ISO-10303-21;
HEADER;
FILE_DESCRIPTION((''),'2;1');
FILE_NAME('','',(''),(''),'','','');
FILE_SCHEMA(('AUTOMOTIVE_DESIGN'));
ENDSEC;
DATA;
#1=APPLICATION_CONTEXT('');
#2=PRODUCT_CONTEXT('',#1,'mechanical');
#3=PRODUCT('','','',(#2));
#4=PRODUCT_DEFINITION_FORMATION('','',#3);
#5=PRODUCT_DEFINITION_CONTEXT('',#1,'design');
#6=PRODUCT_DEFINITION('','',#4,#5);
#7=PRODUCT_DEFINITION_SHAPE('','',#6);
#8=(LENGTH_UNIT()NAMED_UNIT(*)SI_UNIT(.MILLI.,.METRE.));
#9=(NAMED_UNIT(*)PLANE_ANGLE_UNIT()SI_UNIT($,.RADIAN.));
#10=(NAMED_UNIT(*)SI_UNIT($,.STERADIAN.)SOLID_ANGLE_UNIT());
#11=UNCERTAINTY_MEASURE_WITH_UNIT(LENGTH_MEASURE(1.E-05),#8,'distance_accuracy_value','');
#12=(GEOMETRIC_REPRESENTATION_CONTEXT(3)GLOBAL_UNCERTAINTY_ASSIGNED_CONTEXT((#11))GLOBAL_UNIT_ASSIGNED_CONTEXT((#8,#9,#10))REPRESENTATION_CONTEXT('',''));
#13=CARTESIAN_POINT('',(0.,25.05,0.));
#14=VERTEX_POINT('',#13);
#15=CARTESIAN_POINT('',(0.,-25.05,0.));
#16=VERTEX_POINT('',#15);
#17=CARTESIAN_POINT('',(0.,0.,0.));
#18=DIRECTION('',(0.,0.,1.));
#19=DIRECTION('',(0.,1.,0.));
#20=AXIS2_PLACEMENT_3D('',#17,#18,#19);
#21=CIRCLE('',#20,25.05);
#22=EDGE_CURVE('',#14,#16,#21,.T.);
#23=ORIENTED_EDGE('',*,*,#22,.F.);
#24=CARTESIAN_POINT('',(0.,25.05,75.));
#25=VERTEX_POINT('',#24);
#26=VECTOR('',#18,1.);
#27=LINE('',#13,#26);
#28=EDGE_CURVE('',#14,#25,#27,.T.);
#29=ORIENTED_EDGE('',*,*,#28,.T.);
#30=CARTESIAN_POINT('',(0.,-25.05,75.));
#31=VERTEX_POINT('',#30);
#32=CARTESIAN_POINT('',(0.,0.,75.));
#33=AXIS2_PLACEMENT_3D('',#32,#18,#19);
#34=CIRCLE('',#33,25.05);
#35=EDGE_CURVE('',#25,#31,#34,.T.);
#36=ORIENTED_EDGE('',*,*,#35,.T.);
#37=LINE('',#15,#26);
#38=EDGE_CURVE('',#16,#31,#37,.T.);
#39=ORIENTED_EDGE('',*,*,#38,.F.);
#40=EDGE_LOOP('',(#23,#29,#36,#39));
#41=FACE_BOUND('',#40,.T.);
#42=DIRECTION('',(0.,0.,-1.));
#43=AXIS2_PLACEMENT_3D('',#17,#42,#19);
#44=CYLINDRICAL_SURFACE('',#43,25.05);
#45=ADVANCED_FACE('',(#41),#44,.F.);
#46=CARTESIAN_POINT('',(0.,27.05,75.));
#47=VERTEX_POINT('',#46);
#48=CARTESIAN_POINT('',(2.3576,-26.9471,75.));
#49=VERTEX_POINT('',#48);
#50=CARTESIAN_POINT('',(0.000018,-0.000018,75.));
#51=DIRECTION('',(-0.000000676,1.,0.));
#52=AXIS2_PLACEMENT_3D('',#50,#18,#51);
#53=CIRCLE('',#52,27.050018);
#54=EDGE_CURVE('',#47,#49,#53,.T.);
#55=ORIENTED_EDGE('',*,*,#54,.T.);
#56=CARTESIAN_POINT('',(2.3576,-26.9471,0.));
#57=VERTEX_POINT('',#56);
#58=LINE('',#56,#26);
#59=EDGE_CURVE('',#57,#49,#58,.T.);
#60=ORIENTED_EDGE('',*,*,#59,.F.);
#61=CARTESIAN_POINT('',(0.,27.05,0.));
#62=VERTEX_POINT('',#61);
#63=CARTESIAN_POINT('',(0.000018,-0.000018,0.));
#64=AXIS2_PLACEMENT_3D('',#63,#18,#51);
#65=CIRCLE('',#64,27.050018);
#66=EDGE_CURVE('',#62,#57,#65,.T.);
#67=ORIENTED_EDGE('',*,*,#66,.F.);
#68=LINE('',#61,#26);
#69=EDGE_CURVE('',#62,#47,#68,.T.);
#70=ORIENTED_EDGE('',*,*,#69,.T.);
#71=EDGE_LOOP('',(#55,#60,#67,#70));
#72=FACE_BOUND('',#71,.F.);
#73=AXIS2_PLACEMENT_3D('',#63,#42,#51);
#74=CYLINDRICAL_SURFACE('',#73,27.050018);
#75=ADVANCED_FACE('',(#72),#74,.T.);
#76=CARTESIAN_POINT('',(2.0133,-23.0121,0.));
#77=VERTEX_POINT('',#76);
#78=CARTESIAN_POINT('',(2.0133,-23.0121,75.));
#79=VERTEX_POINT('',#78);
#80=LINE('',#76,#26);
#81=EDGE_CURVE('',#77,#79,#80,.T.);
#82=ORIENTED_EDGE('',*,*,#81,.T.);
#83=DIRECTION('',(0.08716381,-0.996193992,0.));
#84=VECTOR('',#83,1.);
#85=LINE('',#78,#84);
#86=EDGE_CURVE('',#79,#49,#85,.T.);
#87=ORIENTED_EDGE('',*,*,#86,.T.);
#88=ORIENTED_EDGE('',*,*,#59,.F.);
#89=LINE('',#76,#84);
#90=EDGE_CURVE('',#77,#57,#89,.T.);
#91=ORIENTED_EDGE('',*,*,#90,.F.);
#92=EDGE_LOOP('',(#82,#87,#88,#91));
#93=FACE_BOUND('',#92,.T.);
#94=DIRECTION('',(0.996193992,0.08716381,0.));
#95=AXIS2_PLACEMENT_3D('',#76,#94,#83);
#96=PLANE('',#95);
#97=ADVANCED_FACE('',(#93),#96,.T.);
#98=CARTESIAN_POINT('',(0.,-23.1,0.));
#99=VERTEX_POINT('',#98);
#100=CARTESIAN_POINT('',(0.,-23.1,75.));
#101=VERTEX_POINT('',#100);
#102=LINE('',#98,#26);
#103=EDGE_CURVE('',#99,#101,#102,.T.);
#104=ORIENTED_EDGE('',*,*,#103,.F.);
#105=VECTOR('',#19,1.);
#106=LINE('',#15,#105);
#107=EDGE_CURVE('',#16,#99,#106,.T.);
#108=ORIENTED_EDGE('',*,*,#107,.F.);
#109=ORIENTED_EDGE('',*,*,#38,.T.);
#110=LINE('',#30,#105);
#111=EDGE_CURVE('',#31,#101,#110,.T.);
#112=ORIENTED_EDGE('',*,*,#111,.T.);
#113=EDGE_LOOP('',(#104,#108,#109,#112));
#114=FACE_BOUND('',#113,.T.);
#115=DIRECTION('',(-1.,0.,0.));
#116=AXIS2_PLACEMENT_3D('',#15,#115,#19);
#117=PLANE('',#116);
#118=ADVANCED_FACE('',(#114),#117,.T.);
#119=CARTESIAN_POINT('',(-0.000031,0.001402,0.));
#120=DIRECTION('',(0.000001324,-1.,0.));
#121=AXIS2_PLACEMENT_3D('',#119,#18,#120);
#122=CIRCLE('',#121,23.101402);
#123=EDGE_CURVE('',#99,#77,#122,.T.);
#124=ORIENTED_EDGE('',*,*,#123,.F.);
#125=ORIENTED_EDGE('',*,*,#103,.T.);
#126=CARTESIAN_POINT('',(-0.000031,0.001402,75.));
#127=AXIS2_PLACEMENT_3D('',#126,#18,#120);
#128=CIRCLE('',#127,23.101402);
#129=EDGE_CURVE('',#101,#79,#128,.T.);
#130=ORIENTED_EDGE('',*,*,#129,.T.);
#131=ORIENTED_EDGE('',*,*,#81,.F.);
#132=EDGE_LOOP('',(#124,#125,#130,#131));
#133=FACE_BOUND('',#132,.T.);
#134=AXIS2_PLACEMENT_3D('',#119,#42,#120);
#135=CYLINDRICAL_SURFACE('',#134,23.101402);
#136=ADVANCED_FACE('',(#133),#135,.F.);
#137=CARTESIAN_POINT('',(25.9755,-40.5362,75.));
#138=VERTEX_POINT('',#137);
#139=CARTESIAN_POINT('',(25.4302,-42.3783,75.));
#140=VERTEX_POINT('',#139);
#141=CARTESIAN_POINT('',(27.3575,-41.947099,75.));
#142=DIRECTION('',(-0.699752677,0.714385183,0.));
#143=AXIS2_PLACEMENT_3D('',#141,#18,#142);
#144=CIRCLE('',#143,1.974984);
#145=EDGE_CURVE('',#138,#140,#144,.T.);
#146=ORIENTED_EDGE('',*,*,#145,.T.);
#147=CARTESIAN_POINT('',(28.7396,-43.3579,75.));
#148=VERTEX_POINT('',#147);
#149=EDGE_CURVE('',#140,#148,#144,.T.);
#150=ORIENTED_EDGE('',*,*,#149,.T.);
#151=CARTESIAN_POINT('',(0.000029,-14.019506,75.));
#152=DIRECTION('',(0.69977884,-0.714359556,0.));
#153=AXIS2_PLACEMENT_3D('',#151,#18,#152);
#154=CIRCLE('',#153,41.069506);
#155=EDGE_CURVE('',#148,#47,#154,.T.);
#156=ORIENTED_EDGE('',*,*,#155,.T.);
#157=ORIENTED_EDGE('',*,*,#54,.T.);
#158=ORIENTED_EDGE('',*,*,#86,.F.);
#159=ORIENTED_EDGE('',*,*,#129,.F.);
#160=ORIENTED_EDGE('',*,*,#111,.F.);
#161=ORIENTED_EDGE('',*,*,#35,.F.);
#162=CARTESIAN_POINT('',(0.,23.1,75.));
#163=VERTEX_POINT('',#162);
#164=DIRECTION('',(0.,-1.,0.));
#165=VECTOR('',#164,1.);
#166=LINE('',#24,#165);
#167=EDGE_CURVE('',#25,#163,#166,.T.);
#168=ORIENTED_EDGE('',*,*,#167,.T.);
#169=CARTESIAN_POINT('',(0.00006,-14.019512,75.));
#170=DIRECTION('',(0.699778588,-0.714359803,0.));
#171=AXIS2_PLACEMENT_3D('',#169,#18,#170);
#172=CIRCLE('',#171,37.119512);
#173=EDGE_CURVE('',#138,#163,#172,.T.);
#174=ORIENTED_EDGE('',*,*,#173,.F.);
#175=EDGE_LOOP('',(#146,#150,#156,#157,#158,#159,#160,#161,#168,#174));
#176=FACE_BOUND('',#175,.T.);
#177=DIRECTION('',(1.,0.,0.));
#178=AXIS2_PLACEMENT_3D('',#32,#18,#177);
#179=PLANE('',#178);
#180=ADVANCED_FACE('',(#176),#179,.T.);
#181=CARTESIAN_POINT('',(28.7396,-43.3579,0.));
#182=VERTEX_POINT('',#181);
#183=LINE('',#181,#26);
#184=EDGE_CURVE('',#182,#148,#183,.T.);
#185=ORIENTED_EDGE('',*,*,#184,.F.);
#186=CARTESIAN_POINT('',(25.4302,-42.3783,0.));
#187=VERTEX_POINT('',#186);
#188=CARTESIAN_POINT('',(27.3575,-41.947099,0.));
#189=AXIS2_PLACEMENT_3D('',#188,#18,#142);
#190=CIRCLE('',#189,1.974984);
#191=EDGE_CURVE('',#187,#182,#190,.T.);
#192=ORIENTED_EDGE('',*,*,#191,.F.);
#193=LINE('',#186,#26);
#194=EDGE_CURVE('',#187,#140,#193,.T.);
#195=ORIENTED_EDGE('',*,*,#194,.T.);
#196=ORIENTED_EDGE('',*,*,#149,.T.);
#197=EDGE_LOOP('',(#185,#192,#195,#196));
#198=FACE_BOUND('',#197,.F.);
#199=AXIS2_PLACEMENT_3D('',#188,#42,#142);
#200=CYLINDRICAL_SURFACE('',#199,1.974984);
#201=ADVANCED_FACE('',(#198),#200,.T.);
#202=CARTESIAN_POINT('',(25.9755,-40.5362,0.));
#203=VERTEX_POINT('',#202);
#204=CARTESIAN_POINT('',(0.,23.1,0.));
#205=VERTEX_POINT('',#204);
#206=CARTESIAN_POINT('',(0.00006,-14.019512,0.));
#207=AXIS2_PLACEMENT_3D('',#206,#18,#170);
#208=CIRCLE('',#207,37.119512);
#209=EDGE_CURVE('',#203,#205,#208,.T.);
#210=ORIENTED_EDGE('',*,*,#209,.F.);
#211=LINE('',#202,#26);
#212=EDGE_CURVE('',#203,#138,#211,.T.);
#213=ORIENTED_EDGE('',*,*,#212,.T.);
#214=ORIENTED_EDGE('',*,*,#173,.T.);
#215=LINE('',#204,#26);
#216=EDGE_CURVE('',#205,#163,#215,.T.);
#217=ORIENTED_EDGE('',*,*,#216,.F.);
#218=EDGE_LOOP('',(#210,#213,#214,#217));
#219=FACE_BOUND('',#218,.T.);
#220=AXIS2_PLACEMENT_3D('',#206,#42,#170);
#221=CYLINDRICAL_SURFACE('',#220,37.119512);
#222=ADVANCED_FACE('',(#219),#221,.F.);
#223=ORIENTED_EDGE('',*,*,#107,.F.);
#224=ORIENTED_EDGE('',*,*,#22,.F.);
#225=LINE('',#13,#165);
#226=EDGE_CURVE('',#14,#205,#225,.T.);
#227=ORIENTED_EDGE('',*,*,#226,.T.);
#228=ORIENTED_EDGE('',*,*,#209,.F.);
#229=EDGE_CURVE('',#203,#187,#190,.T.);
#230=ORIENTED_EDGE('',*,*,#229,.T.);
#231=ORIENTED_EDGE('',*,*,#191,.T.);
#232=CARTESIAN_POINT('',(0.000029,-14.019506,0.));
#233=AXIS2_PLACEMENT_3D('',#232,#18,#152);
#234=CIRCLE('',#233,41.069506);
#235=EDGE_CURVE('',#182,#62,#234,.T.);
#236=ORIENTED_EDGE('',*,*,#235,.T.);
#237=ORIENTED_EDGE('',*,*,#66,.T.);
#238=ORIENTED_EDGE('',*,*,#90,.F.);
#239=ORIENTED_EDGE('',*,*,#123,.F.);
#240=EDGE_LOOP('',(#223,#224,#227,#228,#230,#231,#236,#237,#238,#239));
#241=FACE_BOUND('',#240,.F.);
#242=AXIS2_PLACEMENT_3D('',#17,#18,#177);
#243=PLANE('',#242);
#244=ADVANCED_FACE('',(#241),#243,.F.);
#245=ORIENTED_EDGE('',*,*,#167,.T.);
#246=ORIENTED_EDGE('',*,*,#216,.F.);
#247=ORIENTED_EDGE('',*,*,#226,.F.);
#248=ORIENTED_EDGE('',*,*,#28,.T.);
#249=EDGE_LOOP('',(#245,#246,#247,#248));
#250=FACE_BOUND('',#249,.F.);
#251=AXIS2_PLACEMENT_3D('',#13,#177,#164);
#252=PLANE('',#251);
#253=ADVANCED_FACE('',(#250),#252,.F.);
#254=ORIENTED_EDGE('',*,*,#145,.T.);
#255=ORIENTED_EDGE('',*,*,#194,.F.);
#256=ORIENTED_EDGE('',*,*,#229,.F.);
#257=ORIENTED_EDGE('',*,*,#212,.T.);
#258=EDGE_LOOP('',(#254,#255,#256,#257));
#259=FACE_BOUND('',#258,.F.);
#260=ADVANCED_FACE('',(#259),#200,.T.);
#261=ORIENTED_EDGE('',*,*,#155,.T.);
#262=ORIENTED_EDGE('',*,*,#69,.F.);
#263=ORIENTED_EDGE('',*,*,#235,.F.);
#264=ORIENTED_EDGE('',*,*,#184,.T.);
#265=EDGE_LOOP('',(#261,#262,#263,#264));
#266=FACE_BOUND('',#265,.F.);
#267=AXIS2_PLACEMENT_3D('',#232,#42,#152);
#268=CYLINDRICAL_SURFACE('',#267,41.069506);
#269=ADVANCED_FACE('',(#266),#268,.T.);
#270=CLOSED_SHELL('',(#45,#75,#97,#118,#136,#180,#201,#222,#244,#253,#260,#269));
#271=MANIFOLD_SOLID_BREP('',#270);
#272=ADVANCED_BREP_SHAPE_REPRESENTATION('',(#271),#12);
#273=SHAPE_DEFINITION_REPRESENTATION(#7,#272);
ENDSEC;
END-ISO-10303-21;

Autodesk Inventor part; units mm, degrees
ref_plane "YZ Plane" through (0, 0, 0) normal (1, 0, 0) x (0, 1, 0)
ref_plane "XZ Plane" through (0, 0, 0) normal (0, 1, 0) x (-1, 0, 0)
ref_plane "XY Plane" through (0, 0, 0) normal (0, 0, 1) x (1, 0, 0)
sketch "Skizze1" plane through (0, 0, 0) normal (0, 0, 1) x (1, 0, 0)
  circle A0 centre (0, 0) radius 25.05 construction
  arc A1 (28.7396, -43.3579) -> (0, 27.05) centre (0, -14.0195) ccw
  circle A2 centre (0, 0) radius 23.1 construction
  line L0 (0, 25.05) -> (0, 23.1)
  arc A3 (25.9755, -40.5362) -> (0, 23.1) centre (0, -14.0195) ccw
  line L1 (0, -63.4548) -> (0, 53.3986) construction
  line L2 (0, -25.05) -> (0, -23.1)
  line L3 (2.0133, -23.0121) -> (2.3576, -26.9471)
  arc A4 (0, 27.05) -> (2.3576, -26.9471) centre (0, 0) ccw
  arc A5 (0, -23.1) -> (2.0133, -23.0121) centre (0, 0) ccw
  arc A6 (0, 25.05) -> (0, -25.05) centre (0, 0) ccw
  arc A7 (25.9755, -40.5362) -> (28.7396, -43.3579) centre (27.3576, -41.9471) ccw
  arc A8 (3.0076, -22.9034) -> (0, 23.1) centre (0, 0) ccw
  line L4 (3.0076, -22.9034) -> (3.3521, -26.8415)
  circle A9 centre (0, 0) radius 27.05 construction
  arc A10 (25.4302, -42.3783) -> (3.3521, -26.8415) centre (5.8399, -46.7614) ccw
  dimension "d0" = 50.1
  dimension "d2" = 46.2
  dimension "d3" = 2
  dimension "d4" = 5
  dimension "d11" = 25
  dimension "d12" = 15
  dimension "d16" = 1
extrude "Extrusion1" add sketch "Skizze1" along normal blind 75 contours A7 A3 L0 A6 L2 A5 L3 A4 A1
equation "\"d0\" = ht_diameter + gap_fit"
equation "\"d2\" = ht_diameter - 2 * ht_thickness"
equation "\"kg_thickness\" = 4.9"
equation "\"ht_diameter\" = 50"
equation "\"ht_thickness\" = 1.9"
equation "\"case_thickness\" = 18"
equation "\"gap_fit\" = 0.1"
equation "\"gap_slide\" = 0.2"
equation "\"gap_air\" = 1"
equation "\"bore_diameter\" = 73"
equation "\"tape_thickness\" = 3"
equation "\"tape_width\" = 15"
equation "\"mdf_thickness\" = 6"
equation "\"inner_thickness\" = 15"
equation "\"inner_depth\" = 255"
properties part number "Züklon_Lufteinlass"
